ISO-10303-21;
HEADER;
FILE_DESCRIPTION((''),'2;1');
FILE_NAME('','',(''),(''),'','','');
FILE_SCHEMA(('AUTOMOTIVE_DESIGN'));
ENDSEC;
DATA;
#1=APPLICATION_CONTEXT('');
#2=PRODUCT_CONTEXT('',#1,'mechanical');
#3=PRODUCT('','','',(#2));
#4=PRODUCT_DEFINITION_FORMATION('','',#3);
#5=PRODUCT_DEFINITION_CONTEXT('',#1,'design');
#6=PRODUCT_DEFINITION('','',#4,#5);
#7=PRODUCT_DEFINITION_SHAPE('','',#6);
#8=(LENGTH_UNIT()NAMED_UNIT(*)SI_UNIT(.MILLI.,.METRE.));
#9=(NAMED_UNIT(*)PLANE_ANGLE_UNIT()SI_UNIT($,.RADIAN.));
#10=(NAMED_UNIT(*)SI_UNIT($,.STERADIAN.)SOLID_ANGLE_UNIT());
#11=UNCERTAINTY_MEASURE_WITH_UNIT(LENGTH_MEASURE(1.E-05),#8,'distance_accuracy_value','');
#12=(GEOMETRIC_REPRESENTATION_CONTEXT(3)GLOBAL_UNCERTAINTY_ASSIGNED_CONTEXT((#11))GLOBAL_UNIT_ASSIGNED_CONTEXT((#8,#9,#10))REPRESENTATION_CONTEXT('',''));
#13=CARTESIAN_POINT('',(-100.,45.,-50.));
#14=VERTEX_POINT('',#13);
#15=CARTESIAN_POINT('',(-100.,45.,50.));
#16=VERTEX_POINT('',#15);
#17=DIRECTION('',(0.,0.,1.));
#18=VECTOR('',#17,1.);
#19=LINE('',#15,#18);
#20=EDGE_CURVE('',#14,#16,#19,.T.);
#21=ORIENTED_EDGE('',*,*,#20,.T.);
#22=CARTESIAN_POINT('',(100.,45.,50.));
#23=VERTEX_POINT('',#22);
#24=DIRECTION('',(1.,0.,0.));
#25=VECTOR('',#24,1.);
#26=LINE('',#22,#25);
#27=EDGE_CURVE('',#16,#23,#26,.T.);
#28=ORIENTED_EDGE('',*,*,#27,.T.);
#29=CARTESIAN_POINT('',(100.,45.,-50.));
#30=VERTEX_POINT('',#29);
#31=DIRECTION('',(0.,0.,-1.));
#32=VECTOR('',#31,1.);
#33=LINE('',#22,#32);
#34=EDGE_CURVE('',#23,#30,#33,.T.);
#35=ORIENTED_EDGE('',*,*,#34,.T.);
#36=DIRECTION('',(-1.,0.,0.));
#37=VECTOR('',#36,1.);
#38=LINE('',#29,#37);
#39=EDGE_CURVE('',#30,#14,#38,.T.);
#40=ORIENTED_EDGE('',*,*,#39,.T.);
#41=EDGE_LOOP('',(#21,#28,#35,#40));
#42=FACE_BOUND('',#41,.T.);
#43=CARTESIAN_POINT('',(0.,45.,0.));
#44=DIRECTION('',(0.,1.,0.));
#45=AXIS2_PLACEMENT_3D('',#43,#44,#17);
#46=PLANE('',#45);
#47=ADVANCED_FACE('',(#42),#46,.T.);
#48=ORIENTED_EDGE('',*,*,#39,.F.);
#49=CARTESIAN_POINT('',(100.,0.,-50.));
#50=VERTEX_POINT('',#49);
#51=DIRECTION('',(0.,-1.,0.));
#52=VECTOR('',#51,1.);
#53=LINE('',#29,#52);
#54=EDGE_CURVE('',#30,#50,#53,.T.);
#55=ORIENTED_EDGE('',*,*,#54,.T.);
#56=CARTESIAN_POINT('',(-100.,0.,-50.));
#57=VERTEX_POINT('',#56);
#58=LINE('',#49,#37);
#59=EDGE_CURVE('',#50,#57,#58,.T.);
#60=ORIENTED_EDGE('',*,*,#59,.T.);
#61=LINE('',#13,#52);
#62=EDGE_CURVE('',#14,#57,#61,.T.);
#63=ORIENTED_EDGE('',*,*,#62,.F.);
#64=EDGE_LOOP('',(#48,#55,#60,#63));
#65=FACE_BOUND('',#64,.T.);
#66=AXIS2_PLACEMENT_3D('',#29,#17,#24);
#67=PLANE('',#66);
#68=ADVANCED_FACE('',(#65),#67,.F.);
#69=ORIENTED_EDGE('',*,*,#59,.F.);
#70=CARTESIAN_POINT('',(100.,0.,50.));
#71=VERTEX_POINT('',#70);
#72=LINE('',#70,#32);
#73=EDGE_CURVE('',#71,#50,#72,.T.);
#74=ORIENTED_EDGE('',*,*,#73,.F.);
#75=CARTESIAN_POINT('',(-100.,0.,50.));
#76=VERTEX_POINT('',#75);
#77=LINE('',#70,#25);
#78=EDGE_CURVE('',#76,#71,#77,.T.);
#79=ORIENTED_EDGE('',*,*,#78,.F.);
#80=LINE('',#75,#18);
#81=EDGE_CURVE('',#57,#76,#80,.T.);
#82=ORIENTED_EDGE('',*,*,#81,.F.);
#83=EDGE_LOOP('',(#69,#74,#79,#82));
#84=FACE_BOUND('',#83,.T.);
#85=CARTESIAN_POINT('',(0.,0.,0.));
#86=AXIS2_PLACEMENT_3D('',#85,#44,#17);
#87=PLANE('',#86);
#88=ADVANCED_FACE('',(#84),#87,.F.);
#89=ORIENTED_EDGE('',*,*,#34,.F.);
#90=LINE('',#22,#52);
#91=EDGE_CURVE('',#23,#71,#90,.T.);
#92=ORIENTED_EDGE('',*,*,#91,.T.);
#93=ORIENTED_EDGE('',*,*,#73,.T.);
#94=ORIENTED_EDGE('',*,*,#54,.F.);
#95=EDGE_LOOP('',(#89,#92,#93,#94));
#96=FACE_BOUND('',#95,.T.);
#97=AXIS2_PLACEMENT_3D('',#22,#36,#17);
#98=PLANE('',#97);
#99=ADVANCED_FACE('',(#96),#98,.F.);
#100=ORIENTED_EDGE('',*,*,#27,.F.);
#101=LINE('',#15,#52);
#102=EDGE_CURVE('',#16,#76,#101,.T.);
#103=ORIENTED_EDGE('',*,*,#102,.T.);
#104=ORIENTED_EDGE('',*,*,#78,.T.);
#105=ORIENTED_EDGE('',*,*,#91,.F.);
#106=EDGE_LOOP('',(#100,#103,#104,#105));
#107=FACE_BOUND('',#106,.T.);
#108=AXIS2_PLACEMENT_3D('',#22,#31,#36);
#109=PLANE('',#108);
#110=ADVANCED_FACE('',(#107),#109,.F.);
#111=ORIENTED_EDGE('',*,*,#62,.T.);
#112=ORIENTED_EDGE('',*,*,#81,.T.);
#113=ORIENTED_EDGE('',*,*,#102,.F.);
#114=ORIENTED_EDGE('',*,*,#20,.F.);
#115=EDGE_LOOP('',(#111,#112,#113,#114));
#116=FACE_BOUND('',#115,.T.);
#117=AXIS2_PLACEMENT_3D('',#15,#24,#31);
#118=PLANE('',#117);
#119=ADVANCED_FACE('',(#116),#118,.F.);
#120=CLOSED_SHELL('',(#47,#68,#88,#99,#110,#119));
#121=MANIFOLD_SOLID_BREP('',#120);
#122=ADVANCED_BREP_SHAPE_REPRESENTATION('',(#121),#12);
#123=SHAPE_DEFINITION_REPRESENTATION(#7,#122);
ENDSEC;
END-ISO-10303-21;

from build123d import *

# Parameters (mm, degrees)
ESQUISSE1_W        = 200
ESQUISSE1_H        = 100
BOSS_EXTRU_1_DEPTH = 45


with BuildPart() as part:
    # Esquisse1 → Boss.-Extru.1 (new body)
    with BuildSketch(Plane(origin=(0, 0, 0), x_dir=(1, 0, 0), z_dir=(0, 1, 0))):
        Rectangle(ESQUISSE1_W, ESQUISSE1_H)
    extrude(amount=BOSS_EXTRU_1_DEPTH)


solid = part.part
